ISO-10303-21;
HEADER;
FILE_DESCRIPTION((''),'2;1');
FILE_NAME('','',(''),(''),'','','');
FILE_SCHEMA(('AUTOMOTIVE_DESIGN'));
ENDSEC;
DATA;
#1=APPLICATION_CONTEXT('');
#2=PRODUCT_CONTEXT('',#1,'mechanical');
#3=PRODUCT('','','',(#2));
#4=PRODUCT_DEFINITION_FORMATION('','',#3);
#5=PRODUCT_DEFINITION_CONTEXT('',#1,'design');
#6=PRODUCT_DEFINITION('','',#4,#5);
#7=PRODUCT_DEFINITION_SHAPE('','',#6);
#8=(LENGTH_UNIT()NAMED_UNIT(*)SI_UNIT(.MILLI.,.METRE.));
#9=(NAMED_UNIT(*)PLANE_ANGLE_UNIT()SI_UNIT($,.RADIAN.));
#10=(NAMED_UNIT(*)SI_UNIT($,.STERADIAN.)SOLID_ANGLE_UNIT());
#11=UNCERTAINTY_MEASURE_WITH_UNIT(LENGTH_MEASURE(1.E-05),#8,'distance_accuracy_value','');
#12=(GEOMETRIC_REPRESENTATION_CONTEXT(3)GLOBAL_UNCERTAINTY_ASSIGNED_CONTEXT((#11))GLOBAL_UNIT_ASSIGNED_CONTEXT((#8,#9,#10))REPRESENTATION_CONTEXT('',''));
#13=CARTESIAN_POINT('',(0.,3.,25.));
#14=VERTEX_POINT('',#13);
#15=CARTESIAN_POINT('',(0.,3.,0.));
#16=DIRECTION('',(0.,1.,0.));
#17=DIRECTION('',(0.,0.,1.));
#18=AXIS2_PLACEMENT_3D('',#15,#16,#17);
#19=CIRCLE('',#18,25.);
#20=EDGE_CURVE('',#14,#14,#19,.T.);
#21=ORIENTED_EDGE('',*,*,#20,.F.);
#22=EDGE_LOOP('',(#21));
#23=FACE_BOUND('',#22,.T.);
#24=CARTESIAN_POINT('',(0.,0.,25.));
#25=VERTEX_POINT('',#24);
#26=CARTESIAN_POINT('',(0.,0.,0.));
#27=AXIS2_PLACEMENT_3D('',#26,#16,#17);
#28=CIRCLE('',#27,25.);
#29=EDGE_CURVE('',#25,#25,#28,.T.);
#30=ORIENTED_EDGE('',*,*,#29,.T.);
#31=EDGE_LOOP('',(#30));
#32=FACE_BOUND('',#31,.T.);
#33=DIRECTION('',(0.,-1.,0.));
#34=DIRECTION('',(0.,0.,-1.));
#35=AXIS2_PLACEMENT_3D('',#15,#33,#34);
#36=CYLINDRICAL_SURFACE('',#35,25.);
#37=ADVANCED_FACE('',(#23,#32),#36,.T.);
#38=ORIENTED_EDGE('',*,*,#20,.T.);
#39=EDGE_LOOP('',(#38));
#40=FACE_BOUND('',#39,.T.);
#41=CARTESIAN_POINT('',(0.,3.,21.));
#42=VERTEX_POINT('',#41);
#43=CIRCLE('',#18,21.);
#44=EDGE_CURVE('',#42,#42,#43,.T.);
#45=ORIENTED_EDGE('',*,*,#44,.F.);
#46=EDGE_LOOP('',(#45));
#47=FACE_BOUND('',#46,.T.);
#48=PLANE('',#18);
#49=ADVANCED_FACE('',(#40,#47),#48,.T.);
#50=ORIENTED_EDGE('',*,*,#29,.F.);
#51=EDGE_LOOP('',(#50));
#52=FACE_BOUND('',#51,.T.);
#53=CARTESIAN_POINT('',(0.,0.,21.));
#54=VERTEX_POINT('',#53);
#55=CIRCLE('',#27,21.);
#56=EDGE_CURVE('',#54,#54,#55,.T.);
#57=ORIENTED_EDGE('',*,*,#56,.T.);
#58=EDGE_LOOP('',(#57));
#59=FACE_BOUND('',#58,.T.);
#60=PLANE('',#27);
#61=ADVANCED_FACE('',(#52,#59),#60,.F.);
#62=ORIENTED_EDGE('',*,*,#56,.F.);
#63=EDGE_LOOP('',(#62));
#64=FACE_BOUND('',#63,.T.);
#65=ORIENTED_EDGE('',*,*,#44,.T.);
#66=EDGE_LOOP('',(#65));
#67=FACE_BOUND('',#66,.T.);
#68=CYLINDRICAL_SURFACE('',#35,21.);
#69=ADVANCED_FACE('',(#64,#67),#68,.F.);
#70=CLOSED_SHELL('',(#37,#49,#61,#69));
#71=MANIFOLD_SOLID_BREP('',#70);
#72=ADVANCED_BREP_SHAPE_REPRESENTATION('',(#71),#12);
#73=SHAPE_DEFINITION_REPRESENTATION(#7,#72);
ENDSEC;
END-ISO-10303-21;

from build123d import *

# Parameters (mm, degrees)
ESQUISSE1_R        = 25
ESQUISSE1_R_2      = 21
BOSS_EXTRU_1_DEPTH = 3


with BuildPart() as part:
    # Esquisse1 → Boss.-Extru.1 (new body)
    with BuildSketch(Plane(origin=(0, 0, 0), x_dir=(1, 0, 0), z_dir=(0, 1, 0))):
        Circle(ESQUISSE1_R)
        Circle(ESQUISSE1_R_2, mode=Mode.SUBTRACT)
    extrude(amount=BOSS_EXTRU_1_DEPTH)


solid = part.part
